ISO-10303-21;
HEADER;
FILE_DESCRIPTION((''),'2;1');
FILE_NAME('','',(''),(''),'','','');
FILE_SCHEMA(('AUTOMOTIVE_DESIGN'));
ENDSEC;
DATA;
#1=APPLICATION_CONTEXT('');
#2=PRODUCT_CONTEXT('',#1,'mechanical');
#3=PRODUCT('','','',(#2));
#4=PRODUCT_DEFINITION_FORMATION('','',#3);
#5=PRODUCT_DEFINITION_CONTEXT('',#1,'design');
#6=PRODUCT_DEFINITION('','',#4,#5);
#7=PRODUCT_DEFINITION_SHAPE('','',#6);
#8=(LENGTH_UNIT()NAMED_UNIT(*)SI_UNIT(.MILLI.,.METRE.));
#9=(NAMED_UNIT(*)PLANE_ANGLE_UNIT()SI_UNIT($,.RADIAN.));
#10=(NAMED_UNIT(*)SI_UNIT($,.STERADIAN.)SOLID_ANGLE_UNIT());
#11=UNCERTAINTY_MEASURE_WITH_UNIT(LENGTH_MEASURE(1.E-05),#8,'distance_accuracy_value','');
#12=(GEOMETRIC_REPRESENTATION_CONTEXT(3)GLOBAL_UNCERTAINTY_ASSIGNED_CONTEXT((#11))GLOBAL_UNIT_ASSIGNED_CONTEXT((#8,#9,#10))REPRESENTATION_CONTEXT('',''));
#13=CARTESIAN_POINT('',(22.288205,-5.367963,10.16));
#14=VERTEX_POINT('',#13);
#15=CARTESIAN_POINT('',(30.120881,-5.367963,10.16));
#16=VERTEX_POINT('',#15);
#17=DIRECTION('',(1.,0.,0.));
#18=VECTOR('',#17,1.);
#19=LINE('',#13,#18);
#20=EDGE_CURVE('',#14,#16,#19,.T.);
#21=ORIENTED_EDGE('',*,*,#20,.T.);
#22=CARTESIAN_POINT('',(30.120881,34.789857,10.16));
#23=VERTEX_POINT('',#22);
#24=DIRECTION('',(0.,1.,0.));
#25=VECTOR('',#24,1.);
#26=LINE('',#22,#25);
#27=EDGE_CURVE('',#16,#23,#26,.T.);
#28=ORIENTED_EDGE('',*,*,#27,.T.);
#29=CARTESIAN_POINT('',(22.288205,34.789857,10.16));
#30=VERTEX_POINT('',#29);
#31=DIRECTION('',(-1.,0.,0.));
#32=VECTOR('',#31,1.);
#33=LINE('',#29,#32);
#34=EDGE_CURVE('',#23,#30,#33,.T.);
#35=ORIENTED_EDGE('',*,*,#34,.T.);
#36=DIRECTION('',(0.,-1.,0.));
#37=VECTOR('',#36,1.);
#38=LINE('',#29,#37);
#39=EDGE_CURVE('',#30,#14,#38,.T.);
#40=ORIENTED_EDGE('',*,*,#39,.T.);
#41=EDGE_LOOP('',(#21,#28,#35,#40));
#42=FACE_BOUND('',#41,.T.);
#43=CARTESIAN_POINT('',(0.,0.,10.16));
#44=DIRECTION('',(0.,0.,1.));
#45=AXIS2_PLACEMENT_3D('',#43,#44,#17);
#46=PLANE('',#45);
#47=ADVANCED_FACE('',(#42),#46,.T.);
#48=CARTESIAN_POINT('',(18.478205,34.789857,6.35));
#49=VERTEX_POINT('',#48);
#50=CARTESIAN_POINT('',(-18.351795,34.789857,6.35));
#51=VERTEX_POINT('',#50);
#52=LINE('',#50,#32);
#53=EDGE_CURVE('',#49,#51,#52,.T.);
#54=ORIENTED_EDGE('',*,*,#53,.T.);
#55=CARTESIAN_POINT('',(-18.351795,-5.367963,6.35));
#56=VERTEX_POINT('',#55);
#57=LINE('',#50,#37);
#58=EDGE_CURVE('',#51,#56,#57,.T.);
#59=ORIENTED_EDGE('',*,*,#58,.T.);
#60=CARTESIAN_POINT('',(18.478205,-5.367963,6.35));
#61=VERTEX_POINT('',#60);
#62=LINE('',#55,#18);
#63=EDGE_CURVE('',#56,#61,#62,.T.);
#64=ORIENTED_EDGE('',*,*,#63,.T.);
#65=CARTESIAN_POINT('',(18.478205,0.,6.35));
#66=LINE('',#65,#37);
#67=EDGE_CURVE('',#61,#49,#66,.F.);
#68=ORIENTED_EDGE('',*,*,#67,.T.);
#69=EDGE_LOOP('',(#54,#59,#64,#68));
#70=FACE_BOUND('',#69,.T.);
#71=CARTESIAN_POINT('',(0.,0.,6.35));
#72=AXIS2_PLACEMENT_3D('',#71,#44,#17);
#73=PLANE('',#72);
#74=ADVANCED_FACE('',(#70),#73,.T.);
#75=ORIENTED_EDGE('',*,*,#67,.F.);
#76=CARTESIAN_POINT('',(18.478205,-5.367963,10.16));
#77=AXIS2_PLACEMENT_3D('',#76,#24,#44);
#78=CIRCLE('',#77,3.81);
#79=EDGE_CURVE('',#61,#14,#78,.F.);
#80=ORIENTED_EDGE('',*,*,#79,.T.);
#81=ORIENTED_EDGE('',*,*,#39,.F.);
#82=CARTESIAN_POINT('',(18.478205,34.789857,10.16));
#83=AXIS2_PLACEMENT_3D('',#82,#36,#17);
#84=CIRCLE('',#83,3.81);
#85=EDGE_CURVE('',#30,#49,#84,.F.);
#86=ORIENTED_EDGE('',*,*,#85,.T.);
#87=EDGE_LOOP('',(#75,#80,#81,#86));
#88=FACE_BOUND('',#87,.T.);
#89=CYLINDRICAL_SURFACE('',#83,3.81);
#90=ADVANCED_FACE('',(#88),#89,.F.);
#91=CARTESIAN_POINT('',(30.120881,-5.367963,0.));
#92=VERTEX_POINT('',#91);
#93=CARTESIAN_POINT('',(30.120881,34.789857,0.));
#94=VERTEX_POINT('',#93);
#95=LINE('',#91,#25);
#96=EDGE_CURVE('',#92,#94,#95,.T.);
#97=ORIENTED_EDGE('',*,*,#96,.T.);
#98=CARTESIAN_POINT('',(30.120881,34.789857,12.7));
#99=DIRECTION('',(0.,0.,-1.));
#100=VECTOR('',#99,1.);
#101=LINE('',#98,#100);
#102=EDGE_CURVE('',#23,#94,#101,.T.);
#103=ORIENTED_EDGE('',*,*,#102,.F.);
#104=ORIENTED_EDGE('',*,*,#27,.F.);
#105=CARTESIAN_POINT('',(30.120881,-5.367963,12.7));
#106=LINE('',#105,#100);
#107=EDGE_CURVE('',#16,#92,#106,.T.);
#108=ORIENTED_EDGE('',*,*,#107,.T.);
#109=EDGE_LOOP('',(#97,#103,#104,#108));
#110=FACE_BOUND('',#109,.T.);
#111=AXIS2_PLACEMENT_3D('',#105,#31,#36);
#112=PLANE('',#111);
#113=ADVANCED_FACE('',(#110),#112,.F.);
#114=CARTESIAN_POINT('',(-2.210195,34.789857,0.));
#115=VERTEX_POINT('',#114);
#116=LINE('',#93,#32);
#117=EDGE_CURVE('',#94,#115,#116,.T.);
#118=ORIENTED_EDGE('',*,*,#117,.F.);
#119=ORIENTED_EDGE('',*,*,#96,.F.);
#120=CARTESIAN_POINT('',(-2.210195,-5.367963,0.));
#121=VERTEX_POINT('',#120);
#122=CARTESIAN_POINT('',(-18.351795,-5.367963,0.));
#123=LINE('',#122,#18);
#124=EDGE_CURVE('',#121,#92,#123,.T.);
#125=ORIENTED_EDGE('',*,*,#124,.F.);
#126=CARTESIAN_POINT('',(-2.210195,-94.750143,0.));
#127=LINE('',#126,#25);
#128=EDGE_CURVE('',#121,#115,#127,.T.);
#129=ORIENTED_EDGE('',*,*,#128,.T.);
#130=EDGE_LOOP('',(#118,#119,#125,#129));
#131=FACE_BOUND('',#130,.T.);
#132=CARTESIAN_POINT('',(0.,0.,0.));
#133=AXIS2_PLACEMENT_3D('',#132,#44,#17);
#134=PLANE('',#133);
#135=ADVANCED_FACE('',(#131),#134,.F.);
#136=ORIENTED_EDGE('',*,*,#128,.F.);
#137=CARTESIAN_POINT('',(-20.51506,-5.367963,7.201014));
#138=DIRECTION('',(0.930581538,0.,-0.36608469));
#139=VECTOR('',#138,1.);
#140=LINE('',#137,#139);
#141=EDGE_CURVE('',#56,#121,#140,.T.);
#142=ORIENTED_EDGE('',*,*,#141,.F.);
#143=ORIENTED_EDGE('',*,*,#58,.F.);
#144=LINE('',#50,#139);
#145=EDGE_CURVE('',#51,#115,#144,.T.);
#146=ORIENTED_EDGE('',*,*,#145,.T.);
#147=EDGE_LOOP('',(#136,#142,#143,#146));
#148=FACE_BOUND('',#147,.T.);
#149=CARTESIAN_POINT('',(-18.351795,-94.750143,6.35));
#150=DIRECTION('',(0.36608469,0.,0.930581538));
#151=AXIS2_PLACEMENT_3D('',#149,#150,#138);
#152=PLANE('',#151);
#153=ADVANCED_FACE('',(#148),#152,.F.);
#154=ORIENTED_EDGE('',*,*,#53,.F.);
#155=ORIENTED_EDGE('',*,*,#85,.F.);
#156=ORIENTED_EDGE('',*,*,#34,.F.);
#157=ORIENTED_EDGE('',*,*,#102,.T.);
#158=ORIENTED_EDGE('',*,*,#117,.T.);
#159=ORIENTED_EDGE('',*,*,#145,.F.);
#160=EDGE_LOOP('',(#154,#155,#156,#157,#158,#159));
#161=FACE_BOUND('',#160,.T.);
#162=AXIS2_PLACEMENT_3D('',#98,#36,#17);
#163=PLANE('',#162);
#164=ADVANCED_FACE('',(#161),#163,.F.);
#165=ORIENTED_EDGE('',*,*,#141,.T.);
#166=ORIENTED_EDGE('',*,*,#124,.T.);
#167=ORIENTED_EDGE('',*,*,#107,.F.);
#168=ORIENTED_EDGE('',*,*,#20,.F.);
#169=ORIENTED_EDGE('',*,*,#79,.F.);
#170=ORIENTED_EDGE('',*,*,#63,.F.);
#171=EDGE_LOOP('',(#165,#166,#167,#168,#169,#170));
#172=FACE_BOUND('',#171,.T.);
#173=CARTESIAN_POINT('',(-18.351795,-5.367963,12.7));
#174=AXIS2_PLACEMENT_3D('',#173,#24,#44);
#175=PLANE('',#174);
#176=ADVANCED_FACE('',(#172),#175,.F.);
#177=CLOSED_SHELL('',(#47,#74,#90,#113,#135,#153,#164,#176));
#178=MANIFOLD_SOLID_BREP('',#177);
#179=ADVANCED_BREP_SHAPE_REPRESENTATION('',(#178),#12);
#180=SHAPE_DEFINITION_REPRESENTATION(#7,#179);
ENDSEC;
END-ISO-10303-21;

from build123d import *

# Parameters (mm, degrees)
SKETCH1_W           = 48.472676838
SKETCH1_H           = 40.157820008
BOSS_EXTRUDE1_DEPTH = 12.7
SKETCH3_W           = 40.64
SKETCH3_H           = 40.157820008
CUT_EXTRUDE2_DEPTH  = 6.35
FILLET7_R           = 3.81
SKETCH4_W           = 7.832676838
SKETCH4_H           = 40.157820008
CUT_EXTRUDE3_DEPTH  = 2.54
CUT_EXTRUDE4_DEPTH  = 129.54


with BuildPart() as part:
    # Sketch1 → Boss-Extrude1 (new body)
    with BuildSketch(Plane.XY):
        with Locations((5.884543073, 14.710946933)):
            Rectangle(SKETCH1_W, SKETCH1_H)
    extrude(amount=BOSS_EXTRUDE1_DEPTH)

    # Sketch3 → Cut-Extrude2 (cut)
    with BuildSketch(Plane.XY.offset(12.7)):
        with Locations((1.968204654, 14.710946933)):
            Rectangle(SKETCH3_W, SKETCH3_H)
    extrude(amount=-CUT_EXTRUDE2_DEPTH, mode=Mode.SUBTRACT)

    # Fillet7
    fillet7_edges = [part.edges().sort_by_distance(p)[0] for p in [
        (22.288204654, 14.710946933, 6.35),
    ]]
    fillet(fillet7_edges, radius=FILLET7_R)

    # Sketch4 → Cut-Extrude3 (cut)
    with BuildSketch(Plane.XY.offset(12.7)):
        with Locations((26.204543073, 14.710946933)):
            Rectangle(SKETCH4_W, SKETCH4_H)
    extrude(amount=-CUT_EXTRUDE3_DEPTH, mode=Mode.SUBTRACT)

    # Sketch5 → Cut-Extrude4 (cut)
    with BuildSketch(Plane(origin=(0, 34.789856937, 0), x_dir=(1, 0, 0), z_dir=(0, 1, 0))):
        Polygon((-18.351795346, 0), (-18.351795346, -6.35), (-2.210194986, 0), align=None)
    extrude(amount=-CUT_EXTRUDE4_DEPTH, mode=Mode.SUBTRACT)


solid = part.part
